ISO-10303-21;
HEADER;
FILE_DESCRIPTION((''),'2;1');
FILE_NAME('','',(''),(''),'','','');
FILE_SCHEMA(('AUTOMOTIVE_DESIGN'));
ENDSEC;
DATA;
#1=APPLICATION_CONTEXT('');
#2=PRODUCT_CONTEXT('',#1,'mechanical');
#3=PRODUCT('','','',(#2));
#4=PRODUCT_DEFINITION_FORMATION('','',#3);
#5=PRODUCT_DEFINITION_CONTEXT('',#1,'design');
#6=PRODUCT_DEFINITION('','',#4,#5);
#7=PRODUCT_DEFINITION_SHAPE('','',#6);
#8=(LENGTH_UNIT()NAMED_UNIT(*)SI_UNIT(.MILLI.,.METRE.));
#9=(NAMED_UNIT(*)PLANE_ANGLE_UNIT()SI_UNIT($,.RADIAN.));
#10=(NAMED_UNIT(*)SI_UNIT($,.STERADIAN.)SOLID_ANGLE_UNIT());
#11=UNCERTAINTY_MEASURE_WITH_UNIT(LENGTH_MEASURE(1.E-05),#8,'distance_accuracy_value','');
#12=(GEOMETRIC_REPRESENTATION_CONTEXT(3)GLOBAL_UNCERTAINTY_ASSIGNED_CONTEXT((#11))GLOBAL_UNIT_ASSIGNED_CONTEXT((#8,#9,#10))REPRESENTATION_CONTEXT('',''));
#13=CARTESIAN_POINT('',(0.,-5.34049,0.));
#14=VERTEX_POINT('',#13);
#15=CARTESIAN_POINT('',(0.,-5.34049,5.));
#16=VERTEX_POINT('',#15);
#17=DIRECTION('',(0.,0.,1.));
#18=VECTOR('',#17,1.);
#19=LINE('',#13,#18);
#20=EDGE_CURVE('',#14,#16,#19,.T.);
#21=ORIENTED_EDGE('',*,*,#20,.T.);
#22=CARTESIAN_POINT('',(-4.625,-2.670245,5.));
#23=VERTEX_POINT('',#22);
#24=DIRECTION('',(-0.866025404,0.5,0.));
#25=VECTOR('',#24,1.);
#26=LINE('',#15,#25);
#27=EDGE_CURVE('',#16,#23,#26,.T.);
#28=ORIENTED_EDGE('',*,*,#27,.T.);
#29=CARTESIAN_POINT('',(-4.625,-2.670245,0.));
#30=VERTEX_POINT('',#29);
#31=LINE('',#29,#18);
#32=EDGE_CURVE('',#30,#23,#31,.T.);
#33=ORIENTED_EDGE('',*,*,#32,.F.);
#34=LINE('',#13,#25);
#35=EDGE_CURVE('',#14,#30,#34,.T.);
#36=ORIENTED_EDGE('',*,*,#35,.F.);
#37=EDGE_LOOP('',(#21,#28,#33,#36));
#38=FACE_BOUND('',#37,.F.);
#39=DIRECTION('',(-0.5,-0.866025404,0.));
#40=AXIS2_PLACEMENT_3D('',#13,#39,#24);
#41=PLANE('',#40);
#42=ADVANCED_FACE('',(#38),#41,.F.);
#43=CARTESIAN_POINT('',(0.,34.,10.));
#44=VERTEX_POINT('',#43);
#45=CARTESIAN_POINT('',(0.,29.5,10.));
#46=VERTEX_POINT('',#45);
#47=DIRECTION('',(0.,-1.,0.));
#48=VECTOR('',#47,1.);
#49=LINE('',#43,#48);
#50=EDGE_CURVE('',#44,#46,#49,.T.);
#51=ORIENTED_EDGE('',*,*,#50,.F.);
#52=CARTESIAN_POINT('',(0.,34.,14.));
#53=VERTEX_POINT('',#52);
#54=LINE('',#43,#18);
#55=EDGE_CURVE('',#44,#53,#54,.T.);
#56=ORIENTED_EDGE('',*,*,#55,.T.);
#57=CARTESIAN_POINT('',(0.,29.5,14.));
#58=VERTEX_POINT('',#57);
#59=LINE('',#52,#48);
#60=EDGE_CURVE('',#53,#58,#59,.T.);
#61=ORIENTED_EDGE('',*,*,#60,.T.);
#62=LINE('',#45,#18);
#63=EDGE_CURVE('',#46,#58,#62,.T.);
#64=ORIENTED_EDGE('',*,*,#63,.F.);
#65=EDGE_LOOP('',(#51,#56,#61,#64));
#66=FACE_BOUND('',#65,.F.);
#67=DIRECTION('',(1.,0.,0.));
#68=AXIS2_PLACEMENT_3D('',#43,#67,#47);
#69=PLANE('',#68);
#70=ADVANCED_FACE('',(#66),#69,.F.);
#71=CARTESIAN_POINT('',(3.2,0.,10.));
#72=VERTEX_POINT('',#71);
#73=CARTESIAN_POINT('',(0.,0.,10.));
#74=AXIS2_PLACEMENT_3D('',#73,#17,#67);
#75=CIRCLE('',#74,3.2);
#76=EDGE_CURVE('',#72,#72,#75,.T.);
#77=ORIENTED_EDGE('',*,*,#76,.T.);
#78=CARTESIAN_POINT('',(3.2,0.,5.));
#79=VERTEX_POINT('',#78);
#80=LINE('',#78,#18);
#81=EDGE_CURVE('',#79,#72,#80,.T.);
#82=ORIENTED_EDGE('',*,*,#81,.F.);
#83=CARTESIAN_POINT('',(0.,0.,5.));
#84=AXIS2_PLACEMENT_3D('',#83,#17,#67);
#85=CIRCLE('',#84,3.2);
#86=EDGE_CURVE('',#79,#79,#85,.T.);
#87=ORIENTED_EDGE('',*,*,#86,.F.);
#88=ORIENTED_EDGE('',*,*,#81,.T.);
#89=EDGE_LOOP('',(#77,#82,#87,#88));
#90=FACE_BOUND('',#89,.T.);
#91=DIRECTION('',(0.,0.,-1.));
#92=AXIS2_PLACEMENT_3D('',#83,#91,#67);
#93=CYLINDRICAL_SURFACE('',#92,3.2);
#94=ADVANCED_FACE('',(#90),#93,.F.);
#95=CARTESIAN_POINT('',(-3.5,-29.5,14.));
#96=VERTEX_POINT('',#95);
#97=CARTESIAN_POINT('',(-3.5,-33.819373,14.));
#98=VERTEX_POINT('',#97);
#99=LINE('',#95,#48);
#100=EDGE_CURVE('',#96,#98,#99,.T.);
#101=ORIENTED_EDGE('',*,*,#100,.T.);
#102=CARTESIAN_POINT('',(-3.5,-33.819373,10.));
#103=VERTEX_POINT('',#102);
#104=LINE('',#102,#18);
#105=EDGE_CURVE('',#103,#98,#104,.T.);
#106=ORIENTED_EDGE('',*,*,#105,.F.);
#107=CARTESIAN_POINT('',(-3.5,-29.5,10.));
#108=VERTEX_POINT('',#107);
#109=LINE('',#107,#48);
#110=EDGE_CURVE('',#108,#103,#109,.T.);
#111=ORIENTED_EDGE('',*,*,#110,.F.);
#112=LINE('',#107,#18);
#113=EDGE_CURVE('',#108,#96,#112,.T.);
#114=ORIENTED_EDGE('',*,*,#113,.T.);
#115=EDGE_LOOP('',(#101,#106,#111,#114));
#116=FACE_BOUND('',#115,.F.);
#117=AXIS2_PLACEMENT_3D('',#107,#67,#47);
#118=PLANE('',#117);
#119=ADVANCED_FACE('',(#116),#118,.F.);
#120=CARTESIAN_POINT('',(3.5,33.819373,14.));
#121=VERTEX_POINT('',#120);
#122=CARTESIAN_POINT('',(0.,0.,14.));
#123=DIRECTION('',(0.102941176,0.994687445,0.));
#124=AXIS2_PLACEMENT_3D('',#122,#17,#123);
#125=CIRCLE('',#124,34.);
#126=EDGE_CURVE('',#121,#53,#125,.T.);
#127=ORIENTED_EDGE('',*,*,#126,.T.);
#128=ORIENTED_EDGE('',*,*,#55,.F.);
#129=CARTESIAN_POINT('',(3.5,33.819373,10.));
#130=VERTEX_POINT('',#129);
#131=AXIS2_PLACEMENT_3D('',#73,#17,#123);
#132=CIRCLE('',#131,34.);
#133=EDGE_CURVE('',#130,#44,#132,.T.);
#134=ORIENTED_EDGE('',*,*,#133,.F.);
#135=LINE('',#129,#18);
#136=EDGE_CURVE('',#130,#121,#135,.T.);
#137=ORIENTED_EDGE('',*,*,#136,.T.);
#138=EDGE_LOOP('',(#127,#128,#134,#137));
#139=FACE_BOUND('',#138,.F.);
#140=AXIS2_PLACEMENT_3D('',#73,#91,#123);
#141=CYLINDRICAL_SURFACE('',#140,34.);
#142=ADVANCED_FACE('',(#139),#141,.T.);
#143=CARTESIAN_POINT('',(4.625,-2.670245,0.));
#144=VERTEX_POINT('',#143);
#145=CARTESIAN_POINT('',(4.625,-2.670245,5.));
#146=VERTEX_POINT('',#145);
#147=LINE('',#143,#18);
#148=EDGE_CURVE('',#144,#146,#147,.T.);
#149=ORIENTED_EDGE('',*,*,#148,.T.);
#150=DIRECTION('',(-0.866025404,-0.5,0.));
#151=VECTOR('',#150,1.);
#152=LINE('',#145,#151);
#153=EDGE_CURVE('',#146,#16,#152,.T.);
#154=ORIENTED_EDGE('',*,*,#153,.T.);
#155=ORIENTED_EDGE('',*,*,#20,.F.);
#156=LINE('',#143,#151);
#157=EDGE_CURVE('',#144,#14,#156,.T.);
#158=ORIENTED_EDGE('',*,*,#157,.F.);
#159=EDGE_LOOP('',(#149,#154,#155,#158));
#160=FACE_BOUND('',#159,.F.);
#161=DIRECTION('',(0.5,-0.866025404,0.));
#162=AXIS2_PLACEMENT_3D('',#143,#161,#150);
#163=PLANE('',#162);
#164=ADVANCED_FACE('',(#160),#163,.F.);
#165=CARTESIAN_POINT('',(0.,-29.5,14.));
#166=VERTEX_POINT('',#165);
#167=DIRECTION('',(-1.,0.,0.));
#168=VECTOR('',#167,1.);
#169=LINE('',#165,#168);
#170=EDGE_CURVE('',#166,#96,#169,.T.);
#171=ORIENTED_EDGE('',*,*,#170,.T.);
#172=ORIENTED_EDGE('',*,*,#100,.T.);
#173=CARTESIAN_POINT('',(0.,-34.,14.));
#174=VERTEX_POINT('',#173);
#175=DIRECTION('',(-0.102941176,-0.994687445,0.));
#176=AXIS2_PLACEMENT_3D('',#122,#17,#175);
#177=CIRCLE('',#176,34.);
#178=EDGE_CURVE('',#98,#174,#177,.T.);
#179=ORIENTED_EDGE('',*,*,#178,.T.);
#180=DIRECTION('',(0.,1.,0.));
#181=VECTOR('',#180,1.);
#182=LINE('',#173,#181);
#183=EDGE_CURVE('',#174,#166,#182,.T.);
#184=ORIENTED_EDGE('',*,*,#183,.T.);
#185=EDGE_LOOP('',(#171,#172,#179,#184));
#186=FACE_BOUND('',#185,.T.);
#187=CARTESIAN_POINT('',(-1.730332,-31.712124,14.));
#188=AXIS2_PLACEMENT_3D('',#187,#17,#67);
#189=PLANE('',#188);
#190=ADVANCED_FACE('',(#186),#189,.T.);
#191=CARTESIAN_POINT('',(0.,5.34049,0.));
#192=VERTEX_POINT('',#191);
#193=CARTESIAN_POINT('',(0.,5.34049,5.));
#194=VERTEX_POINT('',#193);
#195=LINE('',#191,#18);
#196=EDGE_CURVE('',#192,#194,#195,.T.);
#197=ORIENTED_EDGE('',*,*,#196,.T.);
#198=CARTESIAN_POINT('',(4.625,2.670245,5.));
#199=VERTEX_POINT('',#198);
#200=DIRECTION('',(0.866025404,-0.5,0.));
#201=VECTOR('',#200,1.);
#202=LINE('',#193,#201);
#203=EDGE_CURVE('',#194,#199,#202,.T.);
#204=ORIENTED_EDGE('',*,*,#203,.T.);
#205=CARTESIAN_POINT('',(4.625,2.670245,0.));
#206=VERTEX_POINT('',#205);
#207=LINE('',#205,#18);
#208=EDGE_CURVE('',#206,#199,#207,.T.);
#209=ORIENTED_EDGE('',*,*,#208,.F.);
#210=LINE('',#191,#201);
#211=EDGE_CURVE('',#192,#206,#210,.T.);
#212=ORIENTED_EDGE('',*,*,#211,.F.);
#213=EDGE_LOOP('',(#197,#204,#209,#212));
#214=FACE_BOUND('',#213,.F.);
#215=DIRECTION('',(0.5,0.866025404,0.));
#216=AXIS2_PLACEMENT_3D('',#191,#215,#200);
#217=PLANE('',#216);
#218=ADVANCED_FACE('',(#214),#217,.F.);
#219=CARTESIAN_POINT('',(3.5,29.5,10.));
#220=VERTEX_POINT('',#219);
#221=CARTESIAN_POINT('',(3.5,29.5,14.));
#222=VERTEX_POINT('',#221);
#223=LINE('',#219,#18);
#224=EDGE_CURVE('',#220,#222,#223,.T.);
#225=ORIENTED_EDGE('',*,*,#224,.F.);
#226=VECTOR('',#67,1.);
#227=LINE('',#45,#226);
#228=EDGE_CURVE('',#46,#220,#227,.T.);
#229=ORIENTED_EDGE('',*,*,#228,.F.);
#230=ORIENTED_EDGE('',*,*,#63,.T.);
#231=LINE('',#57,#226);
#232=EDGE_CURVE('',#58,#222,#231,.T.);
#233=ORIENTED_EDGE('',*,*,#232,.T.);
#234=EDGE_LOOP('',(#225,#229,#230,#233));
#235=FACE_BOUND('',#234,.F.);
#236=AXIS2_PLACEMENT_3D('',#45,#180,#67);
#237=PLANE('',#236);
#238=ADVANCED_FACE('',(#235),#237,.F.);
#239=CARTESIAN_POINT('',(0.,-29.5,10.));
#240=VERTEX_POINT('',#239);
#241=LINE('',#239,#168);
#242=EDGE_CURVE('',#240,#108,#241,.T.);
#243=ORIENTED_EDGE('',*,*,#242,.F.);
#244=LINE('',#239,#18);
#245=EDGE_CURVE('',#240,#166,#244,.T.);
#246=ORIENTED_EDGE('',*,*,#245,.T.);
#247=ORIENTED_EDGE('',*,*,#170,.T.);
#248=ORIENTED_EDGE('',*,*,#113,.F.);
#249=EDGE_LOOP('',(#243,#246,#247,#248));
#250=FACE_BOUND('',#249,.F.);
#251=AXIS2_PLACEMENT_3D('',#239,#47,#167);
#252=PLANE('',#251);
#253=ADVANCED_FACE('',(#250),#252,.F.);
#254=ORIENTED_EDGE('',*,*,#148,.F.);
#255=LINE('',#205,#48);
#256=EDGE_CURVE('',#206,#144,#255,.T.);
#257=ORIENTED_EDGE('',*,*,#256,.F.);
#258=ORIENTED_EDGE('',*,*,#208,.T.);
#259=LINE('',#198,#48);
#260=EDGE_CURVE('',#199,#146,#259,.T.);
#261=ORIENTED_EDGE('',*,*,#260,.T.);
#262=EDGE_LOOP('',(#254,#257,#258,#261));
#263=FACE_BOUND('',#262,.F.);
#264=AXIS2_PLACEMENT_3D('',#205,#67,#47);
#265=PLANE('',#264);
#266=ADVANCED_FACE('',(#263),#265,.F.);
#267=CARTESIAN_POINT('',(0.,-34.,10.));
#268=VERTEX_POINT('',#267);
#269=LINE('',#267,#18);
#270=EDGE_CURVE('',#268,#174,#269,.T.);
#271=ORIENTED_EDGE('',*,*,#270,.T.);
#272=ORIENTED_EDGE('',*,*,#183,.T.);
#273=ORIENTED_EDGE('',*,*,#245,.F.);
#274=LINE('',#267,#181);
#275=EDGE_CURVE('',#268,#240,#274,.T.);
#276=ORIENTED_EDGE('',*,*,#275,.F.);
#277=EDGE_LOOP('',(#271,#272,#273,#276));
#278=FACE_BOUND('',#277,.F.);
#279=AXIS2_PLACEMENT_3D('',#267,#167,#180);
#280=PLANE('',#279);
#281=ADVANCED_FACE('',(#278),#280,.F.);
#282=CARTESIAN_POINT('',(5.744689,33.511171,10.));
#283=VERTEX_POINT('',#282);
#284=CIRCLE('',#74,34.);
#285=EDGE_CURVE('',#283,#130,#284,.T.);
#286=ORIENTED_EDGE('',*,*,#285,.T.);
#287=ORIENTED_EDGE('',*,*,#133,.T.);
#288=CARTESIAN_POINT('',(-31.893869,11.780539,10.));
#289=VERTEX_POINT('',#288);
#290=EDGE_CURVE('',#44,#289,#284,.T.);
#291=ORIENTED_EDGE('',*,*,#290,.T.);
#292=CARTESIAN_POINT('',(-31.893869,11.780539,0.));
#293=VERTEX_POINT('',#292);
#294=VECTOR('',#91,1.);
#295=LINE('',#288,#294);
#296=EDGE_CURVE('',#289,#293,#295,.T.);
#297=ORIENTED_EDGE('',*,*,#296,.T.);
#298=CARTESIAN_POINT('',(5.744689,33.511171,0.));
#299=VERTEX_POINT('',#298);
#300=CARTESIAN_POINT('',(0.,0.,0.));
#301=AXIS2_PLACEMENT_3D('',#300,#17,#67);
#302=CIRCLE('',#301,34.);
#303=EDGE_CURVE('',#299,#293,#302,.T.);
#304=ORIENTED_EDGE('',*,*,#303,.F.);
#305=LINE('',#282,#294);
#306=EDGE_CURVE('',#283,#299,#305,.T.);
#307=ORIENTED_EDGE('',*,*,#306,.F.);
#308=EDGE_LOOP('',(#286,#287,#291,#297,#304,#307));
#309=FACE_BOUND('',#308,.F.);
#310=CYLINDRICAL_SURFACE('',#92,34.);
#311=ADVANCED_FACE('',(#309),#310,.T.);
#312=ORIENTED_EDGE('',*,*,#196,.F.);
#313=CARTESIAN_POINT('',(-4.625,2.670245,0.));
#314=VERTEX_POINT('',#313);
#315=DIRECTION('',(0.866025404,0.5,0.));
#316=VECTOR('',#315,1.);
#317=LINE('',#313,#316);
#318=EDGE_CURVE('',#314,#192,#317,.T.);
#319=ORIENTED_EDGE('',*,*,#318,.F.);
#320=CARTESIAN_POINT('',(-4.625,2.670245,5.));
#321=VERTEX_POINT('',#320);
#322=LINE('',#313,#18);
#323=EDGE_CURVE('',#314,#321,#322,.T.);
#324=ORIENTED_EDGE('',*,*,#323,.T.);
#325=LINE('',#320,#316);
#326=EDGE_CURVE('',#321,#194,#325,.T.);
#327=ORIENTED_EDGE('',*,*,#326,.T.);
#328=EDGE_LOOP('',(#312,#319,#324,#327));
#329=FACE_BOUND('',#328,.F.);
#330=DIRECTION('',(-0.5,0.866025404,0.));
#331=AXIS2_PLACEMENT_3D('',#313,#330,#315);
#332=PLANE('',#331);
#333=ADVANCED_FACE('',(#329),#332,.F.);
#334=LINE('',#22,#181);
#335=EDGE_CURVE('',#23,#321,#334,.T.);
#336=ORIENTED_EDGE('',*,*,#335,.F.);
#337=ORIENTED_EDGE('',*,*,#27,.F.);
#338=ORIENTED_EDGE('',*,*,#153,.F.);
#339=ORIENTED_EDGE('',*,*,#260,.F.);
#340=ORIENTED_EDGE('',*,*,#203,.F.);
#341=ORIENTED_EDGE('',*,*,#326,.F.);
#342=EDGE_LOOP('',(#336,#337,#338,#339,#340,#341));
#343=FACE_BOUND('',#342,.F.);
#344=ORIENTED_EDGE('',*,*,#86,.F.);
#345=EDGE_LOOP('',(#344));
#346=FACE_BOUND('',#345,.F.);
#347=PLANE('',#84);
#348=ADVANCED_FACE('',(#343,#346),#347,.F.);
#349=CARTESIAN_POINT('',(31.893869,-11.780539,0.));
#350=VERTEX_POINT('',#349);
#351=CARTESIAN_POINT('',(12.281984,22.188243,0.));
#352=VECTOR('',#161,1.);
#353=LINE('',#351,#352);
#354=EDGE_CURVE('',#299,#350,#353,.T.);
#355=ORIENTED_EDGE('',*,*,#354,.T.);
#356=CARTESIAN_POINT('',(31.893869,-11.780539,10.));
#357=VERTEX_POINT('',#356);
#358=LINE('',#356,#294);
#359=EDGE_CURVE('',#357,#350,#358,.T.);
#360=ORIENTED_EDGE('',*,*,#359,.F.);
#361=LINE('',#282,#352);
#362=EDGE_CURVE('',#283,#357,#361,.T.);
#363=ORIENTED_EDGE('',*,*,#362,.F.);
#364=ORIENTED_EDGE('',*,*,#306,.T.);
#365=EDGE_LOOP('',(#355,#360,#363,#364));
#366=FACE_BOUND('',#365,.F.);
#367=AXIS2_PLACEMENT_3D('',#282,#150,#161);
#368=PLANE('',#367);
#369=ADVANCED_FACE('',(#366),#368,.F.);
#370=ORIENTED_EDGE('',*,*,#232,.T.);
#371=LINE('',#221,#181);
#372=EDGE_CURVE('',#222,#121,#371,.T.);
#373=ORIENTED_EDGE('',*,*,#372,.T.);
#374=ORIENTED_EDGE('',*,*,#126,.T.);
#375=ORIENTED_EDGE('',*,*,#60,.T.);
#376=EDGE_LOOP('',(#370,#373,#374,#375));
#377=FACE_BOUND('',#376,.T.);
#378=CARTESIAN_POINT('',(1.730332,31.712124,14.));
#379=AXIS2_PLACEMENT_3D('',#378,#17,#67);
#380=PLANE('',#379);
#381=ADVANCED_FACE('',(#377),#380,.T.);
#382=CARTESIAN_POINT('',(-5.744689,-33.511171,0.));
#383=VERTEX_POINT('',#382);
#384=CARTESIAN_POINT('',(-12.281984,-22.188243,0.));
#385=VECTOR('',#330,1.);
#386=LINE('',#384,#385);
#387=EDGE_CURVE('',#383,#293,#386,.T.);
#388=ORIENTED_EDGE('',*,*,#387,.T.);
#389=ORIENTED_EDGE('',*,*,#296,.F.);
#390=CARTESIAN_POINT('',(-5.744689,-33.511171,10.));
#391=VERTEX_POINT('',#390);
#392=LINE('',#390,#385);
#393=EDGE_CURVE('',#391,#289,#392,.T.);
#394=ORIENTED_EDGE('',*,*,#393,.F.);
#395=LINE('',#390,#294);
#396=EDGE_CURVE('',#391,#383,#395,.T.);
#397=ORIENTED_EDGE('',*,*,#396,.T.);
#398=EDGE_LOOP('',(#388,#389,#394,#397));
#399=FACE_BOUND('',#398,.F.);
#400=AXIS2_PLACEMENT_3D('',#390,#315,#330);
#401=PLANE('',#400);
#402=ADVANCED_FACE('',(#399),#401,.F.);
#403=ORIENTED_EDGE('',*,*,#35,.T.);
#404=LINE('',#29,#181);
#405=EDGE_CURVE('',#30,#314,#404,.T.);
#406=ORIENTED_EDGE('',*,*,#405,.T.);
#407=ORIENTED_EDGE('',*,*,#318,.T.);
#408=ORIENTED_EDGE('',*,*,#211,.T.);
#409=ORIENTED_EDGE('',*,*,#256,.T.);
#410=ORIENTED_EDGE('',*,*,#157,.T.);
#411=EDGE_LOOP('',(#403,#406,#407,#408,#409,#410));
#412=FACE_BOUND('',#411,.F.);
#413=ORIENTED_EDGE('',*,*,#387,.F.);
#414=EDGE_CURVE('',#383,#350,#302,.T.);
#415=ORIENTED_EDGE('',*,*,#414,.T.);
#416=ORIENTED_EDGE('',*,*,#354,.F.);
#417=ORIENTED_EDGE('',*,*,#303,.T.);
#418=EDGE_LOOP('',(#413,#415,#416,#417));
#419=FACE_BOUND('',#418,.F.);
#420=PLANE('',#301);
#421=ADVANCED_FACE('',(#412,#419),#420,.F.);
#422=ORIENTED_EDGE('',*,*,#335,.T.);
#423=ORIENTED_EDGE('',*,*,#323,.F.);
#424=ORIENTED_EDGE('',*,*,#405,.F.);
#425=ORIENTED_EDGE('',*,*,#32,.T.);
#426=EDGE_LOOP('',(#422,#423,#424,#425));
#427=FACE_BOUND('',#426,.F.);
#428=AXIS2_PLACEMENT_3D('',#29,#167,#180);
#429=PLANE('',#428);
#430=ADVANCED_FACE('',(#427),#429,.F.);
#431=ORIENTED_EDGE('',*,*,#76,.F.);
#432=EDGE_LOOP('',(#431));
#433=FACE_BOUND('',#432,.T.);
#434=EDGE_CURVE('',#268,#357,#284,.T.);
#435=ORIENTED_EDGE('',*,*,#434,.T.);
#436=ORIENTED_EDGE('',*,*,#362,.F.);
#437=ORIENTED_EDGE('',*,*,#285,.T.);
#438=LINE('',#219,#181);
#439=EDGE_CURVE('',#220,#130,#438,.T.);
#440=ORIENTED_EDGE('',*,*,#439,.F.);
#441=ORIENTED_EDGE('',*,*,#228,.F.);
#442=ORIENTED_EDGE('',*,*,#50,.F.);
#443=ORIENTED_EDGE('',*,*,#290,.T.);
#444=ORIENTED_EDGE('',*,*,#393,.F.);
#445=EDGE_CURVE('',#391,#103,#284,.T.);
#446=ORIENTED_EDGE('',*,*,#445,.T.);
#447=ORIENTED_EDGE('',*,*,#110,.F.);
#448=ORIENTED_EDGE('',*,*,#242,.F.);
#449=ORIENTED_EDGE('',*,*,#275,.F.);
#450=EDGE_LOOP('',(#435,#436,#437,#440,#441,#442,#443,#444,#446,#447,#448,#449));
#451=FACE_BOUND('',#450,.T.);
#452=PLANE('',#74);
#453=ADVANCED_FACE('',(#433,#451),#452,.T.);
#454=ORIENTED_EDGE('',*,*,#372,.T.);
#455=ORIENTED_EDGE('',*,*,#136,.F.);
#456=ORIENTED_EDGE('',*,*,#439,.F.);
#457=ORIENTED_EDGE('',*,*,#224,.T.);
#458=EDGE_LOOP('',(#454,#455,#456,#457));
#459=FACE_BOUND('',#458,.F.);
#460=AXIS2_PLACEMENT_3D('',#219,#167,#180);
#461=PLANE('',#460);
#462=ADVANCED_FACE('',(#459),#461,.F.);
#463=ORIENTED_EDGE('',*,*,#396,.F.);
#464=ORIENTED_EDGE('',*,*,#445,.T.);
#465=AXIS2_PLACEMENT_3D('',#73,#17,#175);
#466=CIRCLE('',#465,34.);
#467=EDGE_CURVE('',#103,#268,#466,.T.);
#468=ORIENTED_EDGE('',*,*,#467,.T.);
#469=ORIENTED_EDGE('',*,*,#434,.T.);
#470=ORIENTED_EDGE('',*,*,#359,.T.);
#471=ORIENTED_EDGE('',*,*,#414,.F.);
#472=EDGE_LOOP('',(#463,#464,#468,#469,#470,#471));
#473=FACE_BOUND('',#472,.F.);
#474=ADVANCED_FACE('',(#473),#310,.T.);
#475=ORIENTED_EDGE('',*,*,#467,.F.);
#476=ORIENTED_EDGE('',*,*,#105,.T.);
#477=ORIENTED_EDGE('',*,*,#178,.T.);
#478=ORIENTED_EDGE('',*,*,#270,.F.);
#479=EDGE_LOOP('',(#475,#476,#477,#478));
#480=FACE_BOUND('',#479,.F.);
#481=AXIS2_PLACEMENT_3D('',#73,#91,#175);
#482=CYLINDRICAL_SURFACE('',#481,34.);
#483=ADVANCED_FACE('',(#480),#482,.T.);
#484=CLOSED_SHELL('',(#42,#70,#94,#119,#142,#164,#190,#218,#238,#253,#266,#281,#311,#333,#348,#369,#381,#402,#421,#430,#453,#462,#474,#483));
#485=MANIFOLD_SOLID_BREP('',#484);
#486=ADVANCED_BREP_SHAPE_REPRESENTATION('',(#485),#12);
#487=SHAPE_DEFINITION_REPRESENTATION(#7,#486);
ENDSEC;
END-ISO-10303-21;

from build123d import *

# Parameters (mm, degrees)
F0_R     = 34
F1_DEPTH = 5
F2_R     = 34
F2_R_2   = 3.2
F3_DEPTH = 5
F5_DEPTH = 10.001
F6_DEPTH = 4


with BuildPart() as f1:
    # F0 (on Top) → F1 (new body)
    with BuildSketch(Plane.XY):
        Circle(F0_R)
        Polygon((0, 5.34048999), (4.625, 2.670244995), (4.625, -2.670244995), (0, -5.34048999), (-4.625, -2.670244995), (-4.625, 2.670244995), align=None, mode=Mode.SUBTRACT)
    extrude(amount=F1_DEPTH)

    # F2 (on face) → F3 (join)
    with BuildSketch(Plane.XY.offset(5)):
        Circle(F2_R)
        Polygon((-4.625, -2.670244995), (-4.625, 2.670244995), (0, 5.34048999), (4.625, 2.670244995), (4.625, -2.670244995), (0, -5.34048999), align=None, mode=Mode.SUBTRACT)
        Polygon((0, 5.34048999), (-4.625, 2.670244995), (-4.625, -2.670244995), (0, -5.34048999), (4.625, -2.670244995), (4.625, 2.670244995), align=None)
        Circle(F2_R_2, mode=Mode.SUBTRACT)
    extrude(amount=F3_DEPTH)

    # F4 (on face) → F5 (cut, through all)
    with BuildSketch(Plane.XY.offset(10)):
        with BuildLine():
            ThreePointArc((34, 0), (25.9934550819, 21.9166670118), (5.7446886526, 33.5111705597))
            Line((5.7446886526, 33.5111705597), (31.8938693416, -11.7805389699))
            ThreePointArc((31.8938693416, -11.7805389699), (33.4693259389, -5.9836628575), (34, 0))
        make_face()
        with BuildLine():
            Line((-5.7446886526, -33.5111705597), (-31.8938693416, 11.7805389699))
            ThreePointArc((-31.8938693416, 11.7805389699), (-29.4448637287, -17), (-5.7446886526, -33.5111705597))
        make_face()
    extrude(amount=-F5_DEPTH, mode=Mode.SUBTRACT)

    # F4 (on face) → F6 (join)
    with BuildSketch(Plane.XY.offset(10)):
        with BuildLine():
            ThreePointArc((3.5, 33.8193731462), (1.7523288833, 33.9548132595), (0, 34))
            Line((0, 34), (0, 29.5))
            Line((0, 29.5), (3.5, 29.5))
            Line((3.5, 29.5), (3.5, 33.8193731462))
        make_face()
        with BuildLine():
            Line((-3.5, -29.5), (-3.5, -33.8193731462))
            ThreePointArc((-3.5, -33.8193731462), (-1.7523288833, -33.9548132595), (0, -34))
            Line((0, -34), (0, -29.5))
            Line((0, -29.5), (-3.5, -29.5))
        make_face()
    extrude(amount=F6_DEPTH)


solid = f1.part
